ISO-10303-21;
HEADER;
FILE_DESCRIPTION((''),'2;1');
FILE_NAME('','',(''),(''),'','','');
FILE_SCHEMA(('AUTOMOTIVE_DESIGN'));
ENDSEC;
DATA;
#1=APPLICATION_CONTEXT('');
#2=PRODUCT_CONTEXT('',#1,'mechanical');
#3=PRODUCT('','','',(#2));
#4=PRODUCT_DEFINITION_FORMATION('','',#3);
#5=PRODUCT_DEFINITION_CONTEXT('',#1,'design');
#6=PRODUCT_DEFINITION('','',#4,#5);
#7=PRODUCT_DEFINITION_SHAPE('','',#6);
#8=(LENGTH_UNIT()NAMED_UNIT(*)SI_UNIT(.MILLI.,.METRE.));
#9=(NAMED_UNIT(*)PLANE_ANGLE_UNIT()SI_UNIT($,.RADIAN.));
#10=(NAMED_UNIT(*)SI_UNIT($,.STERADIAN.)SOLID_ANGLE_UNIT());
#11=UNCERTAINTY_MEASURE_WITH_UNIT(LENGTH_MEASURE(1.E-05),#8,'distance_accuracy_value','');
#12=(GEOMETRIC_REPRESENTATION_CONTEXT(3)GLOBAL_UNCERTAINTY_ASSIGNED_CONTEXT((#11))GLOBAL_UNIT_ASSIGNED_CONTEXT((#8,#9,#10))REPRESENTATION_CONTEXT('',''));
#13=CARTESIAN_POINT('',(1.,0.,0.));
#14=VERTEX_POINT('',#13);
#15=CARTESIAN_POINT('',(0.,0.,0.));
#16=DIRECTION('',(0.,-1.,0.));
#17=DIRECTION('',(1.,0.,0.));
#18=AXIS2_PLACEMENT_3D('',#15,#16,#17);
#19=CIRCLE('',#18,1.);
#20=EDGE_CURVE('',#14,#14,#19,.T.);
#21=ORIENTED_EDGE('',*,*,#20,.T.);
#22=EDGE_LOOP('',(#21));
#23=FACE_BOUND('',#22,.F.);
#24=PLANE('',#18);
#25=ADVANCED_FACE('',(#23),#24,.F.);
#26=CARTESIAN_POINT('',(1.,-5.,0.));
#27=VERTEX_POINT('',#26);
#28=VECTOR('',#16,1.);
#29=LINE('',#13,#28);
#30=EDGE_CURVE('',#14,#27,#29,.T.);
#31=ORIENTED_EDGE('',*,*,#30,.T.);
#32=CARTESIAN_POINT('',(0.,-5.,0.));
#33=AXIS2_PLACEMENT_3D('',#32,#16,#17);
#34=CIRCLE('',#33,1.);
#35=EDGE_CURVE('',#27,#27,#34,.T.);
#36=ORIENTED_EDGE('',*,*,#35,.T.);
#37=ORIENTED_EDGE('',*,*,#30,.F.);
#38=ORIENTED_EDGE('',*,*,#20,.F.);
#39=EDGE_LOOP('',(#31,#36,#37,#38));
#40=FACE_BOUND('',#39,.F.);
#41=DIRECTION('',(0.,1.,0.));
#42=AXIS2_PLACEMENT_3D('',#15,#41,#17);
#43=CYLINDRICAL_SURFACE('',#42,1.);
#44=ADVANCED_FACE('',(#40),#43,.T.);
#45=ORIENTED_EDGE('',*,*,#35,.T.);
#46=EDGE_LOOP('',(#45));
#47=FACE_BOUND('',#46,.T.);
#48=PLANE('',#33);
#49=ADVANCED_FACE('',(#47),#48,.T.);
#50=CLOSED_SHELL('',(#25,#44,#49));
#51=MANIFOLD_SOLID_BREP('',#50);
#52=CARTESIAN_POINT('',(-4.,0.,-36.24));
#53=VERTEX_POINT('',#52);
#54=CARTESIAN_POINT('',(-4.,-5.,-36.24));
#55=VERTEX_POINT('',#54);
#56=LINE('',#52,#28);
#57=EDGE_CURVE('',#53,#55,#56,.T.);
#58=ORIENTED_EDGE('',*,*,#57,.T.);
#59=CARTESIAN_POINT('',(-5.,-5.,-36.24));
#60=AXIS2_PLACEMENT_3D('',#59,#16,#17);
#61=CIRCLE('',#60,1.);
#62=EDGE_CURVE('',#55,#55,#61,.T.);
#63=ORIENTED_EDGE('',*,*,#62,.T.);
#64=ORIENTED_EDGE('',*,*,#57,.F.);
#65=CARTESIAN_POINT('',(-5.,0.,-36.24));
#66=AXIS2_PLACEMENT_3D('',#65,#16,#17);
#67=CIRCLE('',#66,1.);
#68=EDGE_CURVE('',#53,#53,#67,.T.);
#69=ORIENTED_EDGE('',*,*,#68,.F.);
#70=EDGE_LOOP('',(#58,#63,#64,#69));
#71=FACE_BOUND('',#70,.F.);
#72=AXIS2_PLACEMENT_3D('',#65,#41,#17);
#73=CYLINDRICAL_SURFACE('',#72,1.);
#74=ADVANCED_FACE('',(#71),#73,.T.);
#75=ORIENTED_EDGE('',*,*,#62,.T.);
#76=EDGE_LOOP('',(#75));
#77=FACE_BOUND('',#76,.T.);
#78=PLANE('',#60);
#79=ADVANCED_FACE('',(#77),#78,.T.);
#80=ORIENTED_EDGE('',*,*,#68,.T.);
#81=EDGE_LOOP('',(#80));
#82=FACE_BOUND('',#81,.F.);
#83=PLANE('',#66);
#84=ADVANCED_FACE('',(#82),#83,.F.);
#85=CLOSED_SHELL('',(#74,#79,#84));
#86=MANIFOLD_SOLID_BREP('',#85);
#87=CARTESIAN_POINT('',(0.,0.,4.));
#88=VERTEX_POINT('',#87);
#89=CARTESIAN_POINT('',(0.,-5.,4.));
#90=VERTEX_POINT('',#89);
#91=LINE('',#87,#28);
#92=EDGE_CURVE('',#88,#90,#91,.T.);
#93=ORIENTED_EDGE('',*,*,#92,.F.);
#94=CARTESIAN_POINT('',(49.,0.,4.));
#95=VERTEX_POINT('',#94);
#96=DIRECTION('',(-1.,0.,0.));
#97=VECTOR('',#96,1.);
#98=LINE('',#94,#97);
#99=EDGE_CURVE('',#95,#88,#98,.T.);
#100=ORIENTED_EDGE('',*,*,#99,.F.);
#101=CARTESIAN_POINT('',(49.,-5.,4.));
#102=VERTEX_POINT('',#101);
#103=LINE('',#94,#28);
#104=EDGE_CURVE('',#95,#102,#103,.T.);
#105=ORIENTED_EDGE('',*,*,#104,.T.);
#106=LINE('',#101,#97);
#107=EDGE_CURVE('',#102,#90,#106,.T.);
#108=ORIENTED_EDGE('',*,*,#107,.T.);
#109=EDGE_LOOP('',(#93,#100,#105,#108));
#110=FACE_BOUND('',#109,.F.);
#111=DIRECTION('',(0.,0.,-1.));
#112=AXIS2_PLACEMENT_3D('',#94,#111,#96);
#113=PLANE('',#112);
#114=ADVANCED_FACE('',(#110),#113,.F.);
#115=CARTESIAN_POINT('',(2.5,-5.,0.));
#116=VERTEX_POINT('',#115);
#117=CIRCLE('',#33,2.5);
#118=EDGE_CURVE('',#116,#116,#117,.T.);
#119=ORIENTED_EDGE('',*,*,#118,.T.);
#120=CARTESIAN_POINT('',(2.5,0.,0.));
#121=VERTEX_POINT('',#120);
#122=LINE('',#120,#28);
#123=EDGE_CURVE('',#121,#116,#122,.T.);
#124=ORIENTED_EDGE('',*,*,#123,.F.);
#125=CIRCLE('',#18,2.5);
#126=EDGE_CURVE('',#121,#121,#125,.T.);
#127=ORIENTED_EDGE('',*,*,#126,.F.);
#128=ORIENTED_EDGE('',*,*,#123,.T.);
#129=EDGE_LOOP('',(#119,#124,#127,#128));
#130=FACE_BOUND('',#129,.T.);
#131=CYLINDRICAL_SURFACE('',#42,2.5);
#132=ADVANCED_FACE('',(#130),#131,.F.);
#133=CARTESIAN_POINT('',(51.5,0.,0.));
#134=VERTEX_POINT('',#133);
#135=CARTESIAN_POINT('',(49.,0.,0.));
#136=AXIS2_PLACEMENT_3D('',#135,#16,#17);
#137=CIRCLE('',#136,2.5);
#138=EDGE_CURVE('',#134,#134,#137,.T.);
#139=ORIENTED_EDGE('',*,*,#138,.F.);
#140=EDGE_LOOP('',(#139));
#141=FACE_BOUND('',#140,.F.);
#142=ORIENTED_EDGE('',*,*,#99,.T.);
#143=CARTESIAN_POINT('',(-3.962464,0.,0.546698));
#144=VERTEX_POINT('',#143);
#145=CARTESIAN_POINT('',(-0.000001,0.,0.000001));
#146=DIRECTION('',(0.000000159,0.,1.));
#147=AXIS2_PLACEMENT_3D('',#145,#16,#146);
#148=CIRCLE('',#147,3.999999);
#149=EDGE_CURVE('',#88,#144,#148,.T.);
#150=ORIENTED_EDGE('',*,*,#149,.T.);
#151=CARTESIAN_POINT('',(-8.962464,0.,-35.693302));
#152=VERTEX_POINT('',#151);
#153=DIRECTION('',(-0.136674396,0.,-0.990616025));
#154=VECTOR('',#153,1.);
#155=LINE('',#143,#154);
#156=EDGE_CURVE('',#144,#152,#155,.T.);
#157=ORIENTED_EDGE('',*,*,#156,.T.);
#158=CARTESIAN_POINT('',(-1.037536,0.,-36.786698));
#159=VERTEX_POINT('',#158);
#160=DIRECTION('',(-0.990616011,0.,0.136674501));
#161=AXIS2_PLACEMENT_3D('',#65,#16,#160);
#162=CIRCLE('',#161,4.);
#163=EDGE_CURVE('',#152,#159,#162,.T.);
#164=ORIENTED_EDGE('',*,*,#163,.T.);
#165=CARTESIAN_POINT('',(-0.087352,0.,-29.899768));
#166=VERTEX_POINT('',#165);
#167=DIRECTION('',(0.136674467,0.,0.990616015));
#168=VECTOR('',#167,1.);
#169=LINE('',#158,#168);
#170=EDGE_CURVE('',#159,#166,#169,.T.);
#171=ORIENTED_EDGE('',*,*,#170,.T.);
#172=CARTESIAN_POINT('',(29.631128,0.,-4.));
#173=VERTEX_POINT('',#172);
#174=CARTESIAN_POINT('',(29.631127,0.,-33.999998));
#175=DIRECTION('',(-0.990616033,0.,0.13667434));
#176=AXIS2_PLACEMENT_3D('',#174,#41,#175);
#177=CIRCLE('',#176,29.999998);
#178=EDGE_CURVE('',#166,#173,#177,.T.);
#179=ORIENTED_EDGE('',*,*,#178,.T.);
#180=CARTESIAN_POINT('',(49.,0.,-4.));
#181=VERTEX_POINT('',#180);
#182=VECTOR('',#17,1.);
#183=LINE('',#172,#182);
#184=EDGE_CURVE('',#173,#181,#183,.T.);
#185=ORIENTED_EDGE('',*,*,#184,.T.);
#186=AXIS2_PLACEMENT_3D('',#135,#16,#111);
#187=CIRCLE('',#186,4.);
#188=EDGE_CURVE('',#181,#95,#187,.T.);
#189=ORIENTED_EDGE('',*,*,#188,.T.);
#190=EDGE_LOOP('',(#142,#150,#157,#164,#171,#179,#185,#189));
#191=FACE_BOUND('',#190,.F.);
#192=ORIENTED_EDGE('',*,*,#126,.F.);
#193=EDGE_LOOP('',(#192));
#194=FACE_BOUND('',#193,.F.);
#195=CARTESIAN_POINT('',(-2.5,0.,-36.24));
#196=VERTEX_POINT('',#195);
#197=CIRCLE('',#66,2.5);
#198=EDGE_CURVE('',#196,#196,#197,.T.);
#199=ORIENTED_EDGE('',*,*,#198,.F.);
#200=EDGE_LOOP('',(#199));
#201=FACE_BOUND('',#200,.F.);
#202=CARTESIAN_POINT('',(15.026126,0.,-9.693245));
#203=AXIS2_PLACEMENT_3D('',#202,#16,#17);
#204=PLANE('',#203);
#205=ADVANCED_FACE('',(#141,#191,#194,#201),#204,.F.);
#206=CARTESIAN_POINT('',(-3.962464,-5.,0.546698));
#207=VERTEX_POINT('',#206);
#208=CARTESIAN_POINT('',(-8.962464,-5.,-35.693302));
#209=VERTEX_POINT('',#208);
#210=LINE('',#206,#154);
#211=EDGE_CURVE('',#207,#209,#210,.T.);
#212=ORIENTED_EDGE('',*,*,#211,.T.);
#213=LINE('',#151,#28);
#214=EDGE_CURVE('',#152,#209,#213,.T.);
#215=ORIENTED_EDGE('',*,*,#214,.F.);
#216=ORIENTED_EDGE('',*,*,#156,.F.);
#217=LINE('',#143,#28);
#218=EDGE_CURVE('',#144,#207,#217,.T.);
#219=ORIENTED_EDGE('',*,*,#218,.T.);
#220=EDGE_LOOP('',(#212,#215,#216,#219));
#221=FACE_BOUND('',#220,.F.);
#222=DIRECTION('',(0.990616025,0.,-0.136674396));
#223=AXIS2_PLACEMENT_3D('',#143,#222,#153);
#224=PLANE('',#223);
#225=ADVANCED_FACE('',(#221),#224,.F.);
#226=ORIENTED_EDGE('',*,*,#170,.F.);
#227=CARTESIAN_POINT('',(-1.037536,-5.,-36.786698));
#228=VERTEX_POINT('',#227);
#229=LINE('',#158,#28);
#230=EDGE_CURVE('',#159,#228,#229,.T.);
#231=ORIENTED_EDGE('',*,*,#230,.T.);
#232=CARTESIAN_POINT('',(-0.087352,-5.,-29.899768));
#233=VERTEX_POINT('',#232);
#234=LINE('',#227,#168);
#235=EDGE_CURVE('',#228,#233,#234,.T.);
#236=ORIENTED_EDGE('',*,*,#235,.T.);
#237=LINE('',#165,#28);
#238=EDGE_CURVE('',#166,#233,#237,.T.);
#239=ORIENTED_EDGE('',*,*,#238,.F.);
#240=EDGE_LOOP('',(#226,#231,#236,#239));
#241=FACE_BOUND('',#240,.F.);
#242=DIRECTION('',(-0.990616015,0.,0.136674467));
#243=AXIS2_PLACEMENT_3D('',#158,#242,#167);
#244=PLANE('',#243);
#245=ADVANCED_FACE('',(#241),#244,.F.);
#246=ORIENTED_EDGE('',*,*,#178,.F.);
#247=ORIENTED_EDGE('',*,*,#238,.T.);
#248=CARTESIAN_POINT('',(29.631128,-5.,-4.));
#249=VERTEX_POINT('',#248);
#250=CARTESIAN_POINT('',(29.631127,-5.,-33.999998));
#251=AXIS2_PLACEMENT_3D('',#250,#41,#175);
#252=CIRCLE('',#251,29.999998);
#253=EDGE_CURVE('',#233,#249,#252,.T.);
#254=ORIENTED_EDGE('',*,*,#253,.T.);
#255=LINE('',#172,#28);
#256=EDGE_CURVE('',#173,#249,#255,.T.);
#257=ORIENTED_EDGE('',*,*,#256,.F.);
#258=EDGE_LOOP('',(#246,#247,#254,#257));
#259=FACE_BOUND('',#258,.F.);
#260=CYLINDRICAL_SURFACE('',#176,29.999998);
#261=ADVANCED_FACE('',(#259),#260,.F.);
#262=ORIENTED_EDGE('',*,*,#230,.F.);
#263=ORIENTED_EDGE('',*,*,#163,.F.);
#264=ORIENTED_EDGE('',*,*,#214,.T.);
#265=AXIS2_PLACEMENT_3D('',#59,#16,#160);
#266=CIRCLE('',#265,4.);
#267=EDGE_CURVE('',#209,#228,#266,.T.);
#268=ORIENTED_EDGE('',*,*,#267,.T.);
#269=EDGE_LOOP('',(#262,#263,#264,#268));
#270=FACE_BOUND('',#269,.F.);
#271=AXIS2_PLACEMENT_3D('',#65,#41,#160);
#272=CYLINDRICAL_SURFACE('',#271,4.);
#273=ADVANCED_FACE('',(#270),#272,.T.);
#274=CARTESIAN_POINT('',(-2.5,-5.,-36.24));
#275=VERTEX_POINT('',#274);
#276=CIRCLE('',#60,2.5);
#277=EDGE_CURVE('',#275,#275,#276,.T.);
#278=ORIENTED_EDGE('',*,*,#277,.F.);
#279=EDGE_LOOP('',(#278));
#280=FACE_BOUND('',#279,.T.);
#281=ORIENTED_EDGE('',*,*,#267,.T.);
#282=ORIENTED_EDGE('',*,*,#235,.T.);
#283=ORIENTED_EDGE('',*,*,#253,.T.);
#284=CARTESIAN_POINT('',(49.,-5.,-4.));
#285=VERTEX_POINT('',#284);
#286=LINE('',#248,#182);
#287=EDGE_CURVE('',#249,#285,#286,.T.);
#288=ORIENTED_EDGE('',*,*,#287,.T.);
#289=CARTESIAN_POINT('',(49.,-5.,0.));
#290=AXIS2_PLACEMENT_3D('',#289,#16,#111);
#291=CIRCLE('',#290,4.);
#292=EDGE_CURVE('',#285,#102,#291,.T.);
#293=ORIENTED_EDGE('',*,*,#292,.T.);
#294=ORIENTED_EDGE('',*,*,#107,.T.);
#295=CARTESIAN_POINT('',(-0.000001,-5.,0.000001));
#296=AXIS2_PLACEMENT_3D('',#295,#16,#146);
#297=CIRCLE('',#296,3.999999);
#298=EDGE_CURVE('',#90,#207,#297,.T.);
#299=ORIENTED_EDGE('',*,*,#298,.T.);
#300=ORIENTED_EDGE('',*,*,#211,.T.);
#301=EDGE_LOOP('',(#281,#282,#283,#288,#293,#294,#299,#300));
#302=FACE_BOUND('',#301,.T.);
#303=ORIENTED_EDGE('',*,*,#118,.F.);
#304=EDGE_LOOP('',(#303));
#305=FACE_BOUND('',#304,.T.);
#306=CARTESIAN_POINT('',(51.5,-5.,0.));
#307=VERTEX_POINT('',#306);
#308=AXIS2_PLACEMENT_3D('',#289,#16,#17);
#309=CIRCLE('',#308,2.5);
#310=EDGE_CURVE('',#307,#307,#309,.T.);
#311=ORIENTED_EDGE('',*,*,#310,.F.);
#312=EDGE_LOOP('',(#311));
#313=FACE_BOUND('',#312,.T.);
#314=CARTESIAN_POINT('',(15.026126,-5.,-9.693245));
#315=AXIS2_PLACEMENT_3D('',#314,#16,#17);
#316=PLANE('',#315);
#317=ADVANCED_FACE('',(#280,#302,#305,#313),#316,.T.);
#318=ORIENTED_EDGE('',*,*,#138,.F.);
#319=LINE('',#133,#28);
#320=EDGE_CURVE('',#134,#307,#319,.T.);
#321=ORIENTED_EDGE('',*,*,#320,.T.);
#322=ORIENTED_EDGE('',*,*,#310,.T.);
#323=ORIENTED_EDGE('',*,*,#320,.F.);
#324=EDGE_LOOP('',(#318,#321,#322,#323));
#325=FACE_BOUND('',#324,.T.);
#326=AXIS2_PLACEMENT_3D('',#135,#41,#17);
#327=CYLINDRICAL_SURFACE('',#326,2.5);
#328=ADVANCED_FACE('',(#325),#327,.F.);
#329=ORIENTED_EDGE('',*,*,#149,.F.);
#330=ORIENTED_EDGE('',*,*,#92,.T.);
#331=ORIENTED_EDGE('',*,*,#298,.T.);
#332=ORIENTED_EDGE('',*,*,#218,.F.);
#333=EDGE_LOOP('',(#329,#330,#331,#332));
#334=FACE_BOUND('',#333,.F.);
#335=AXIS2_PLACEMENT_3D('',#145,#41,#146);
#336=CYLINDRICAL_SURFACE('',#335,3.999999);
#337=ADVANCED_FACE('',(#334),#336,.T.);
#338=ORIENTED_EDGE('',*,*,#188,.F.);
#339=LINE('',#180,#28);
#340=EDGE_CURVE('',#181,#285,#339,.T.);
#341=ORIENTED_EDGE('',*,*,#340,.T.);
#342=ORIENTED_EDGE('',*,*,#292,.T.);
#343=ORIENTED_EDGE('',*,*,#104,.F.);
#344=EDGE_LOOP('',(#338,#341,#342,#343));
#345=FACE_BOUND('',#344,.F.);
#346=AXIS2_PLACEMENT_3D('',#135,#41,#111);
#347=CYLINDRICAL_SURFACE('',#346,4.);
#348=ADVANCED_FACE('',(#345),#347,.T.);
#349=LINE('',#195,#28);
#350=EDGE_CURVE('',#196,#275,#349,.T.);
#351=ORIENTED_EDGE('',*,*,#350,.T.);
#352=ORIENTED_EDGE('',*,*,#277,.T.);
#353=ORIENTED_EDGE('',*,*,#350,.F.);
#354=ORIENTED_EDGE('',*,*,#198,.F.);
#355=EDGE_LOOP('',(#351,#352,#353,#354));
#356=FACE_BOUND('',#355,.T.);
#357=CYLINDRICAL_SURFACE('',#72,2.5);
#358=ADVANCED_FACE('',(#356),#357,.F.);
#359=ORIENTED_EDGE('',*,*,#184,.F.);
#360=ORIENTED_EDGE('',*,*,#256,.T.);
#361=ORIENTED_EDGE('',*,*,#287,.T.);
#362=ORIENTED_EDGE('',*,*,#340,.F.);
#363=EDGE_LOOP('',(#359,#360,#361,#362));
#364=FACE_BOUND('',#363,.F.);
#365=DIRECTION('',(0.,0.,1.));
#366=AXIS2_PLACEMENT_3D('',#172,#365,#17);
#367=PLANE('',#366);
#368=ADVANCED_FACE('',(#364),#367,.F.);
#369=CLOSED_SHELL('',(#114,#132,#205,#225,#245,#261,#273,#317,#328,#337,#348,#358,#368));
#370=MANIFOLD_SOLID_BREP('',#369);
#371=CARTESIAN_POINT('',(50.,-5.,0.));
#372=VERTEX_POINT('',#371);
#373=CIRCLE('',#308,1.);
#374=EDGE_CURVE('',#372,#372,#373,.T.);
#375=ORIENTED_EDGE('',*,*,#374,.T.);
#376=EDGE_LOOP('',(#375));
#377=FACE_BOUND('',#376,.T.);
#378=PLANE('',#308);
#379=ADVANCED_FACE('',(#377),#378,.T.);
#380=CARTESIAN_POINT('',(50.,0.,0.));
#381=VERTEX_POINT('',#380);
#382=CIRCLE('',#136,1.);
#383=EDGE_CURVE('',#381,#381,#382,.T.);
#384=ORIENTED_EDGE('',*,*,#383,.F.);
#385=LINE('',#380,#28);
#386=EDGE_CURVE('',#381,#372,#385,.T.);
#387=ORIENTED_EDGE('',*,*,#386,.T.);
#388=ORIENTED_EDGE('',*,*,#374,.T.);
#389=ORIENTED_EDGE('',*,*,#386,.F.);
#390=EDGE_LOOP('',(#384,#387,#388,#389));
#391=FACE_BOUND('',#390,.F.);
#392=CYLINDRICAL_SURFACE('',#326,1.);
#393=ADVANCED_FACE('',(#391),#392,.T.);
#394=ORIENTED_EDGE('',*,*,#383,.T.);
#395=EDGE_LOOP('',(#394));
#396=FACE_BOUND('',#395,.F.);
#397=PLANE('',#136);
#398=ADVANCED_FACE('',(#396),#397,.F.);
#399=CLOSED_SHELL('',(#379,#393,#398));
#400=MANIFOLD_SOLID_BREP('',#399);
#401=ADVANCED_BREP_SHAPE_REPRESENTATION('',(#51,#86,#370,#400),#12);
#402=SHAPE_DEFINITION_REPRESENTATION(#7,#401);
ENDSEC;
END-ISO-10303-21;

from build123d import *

# Parameters (mm, degrees)
F0_R     = 2.5
F0_R_2   = 1
F1_DEPTH = 5


with BuildPart() as f1:
    # F0 (on Front) → F1 (new body)
    with BuildSketch(Plane.XZ):
        with BuildLine():
            Line((49, 4), (0, 4))
            ThreePointArc((0, 4), (-2.628042, 3.015526), (-3.962464, 0.546698))
            Line((-3.962464, 0.546698), (-8.962464, -35.693302))
            ThreePointArc((-8.962464, -35.693302), (-5.546698, -40.202464), (-1.037536, -36.786698))
            Line((-1.037536, -36.786698), (-0.087352, -29.899768))
            ThreePointArc((-0.087352, -29.899768), (9.920813, -11.383557), (29.631128, -4))
            Line((29.631128, -4), (49, -4))
            ThreePointArc((49, -4), (53, 0), (49, 4))
        make_face()
        with Locations((-5, -36.24)):
            Circle(F0_R, mode=Mode.SUBTRACT)
        Circle(F0_R, mode=Mode.SUBTRACT)
        with Locations((49, 0)):
            Circle(F0_R, mode=Mode.SUBTRACT)
        with Locations((-5, -36.24)):
            Circle(F0_R_2)
        with Locations((49, 0)):
            Circle(F0_R_2)
        Circle(F0_R_2)
    extrude(amount=F1_DEPTH)


solid = f1.part
